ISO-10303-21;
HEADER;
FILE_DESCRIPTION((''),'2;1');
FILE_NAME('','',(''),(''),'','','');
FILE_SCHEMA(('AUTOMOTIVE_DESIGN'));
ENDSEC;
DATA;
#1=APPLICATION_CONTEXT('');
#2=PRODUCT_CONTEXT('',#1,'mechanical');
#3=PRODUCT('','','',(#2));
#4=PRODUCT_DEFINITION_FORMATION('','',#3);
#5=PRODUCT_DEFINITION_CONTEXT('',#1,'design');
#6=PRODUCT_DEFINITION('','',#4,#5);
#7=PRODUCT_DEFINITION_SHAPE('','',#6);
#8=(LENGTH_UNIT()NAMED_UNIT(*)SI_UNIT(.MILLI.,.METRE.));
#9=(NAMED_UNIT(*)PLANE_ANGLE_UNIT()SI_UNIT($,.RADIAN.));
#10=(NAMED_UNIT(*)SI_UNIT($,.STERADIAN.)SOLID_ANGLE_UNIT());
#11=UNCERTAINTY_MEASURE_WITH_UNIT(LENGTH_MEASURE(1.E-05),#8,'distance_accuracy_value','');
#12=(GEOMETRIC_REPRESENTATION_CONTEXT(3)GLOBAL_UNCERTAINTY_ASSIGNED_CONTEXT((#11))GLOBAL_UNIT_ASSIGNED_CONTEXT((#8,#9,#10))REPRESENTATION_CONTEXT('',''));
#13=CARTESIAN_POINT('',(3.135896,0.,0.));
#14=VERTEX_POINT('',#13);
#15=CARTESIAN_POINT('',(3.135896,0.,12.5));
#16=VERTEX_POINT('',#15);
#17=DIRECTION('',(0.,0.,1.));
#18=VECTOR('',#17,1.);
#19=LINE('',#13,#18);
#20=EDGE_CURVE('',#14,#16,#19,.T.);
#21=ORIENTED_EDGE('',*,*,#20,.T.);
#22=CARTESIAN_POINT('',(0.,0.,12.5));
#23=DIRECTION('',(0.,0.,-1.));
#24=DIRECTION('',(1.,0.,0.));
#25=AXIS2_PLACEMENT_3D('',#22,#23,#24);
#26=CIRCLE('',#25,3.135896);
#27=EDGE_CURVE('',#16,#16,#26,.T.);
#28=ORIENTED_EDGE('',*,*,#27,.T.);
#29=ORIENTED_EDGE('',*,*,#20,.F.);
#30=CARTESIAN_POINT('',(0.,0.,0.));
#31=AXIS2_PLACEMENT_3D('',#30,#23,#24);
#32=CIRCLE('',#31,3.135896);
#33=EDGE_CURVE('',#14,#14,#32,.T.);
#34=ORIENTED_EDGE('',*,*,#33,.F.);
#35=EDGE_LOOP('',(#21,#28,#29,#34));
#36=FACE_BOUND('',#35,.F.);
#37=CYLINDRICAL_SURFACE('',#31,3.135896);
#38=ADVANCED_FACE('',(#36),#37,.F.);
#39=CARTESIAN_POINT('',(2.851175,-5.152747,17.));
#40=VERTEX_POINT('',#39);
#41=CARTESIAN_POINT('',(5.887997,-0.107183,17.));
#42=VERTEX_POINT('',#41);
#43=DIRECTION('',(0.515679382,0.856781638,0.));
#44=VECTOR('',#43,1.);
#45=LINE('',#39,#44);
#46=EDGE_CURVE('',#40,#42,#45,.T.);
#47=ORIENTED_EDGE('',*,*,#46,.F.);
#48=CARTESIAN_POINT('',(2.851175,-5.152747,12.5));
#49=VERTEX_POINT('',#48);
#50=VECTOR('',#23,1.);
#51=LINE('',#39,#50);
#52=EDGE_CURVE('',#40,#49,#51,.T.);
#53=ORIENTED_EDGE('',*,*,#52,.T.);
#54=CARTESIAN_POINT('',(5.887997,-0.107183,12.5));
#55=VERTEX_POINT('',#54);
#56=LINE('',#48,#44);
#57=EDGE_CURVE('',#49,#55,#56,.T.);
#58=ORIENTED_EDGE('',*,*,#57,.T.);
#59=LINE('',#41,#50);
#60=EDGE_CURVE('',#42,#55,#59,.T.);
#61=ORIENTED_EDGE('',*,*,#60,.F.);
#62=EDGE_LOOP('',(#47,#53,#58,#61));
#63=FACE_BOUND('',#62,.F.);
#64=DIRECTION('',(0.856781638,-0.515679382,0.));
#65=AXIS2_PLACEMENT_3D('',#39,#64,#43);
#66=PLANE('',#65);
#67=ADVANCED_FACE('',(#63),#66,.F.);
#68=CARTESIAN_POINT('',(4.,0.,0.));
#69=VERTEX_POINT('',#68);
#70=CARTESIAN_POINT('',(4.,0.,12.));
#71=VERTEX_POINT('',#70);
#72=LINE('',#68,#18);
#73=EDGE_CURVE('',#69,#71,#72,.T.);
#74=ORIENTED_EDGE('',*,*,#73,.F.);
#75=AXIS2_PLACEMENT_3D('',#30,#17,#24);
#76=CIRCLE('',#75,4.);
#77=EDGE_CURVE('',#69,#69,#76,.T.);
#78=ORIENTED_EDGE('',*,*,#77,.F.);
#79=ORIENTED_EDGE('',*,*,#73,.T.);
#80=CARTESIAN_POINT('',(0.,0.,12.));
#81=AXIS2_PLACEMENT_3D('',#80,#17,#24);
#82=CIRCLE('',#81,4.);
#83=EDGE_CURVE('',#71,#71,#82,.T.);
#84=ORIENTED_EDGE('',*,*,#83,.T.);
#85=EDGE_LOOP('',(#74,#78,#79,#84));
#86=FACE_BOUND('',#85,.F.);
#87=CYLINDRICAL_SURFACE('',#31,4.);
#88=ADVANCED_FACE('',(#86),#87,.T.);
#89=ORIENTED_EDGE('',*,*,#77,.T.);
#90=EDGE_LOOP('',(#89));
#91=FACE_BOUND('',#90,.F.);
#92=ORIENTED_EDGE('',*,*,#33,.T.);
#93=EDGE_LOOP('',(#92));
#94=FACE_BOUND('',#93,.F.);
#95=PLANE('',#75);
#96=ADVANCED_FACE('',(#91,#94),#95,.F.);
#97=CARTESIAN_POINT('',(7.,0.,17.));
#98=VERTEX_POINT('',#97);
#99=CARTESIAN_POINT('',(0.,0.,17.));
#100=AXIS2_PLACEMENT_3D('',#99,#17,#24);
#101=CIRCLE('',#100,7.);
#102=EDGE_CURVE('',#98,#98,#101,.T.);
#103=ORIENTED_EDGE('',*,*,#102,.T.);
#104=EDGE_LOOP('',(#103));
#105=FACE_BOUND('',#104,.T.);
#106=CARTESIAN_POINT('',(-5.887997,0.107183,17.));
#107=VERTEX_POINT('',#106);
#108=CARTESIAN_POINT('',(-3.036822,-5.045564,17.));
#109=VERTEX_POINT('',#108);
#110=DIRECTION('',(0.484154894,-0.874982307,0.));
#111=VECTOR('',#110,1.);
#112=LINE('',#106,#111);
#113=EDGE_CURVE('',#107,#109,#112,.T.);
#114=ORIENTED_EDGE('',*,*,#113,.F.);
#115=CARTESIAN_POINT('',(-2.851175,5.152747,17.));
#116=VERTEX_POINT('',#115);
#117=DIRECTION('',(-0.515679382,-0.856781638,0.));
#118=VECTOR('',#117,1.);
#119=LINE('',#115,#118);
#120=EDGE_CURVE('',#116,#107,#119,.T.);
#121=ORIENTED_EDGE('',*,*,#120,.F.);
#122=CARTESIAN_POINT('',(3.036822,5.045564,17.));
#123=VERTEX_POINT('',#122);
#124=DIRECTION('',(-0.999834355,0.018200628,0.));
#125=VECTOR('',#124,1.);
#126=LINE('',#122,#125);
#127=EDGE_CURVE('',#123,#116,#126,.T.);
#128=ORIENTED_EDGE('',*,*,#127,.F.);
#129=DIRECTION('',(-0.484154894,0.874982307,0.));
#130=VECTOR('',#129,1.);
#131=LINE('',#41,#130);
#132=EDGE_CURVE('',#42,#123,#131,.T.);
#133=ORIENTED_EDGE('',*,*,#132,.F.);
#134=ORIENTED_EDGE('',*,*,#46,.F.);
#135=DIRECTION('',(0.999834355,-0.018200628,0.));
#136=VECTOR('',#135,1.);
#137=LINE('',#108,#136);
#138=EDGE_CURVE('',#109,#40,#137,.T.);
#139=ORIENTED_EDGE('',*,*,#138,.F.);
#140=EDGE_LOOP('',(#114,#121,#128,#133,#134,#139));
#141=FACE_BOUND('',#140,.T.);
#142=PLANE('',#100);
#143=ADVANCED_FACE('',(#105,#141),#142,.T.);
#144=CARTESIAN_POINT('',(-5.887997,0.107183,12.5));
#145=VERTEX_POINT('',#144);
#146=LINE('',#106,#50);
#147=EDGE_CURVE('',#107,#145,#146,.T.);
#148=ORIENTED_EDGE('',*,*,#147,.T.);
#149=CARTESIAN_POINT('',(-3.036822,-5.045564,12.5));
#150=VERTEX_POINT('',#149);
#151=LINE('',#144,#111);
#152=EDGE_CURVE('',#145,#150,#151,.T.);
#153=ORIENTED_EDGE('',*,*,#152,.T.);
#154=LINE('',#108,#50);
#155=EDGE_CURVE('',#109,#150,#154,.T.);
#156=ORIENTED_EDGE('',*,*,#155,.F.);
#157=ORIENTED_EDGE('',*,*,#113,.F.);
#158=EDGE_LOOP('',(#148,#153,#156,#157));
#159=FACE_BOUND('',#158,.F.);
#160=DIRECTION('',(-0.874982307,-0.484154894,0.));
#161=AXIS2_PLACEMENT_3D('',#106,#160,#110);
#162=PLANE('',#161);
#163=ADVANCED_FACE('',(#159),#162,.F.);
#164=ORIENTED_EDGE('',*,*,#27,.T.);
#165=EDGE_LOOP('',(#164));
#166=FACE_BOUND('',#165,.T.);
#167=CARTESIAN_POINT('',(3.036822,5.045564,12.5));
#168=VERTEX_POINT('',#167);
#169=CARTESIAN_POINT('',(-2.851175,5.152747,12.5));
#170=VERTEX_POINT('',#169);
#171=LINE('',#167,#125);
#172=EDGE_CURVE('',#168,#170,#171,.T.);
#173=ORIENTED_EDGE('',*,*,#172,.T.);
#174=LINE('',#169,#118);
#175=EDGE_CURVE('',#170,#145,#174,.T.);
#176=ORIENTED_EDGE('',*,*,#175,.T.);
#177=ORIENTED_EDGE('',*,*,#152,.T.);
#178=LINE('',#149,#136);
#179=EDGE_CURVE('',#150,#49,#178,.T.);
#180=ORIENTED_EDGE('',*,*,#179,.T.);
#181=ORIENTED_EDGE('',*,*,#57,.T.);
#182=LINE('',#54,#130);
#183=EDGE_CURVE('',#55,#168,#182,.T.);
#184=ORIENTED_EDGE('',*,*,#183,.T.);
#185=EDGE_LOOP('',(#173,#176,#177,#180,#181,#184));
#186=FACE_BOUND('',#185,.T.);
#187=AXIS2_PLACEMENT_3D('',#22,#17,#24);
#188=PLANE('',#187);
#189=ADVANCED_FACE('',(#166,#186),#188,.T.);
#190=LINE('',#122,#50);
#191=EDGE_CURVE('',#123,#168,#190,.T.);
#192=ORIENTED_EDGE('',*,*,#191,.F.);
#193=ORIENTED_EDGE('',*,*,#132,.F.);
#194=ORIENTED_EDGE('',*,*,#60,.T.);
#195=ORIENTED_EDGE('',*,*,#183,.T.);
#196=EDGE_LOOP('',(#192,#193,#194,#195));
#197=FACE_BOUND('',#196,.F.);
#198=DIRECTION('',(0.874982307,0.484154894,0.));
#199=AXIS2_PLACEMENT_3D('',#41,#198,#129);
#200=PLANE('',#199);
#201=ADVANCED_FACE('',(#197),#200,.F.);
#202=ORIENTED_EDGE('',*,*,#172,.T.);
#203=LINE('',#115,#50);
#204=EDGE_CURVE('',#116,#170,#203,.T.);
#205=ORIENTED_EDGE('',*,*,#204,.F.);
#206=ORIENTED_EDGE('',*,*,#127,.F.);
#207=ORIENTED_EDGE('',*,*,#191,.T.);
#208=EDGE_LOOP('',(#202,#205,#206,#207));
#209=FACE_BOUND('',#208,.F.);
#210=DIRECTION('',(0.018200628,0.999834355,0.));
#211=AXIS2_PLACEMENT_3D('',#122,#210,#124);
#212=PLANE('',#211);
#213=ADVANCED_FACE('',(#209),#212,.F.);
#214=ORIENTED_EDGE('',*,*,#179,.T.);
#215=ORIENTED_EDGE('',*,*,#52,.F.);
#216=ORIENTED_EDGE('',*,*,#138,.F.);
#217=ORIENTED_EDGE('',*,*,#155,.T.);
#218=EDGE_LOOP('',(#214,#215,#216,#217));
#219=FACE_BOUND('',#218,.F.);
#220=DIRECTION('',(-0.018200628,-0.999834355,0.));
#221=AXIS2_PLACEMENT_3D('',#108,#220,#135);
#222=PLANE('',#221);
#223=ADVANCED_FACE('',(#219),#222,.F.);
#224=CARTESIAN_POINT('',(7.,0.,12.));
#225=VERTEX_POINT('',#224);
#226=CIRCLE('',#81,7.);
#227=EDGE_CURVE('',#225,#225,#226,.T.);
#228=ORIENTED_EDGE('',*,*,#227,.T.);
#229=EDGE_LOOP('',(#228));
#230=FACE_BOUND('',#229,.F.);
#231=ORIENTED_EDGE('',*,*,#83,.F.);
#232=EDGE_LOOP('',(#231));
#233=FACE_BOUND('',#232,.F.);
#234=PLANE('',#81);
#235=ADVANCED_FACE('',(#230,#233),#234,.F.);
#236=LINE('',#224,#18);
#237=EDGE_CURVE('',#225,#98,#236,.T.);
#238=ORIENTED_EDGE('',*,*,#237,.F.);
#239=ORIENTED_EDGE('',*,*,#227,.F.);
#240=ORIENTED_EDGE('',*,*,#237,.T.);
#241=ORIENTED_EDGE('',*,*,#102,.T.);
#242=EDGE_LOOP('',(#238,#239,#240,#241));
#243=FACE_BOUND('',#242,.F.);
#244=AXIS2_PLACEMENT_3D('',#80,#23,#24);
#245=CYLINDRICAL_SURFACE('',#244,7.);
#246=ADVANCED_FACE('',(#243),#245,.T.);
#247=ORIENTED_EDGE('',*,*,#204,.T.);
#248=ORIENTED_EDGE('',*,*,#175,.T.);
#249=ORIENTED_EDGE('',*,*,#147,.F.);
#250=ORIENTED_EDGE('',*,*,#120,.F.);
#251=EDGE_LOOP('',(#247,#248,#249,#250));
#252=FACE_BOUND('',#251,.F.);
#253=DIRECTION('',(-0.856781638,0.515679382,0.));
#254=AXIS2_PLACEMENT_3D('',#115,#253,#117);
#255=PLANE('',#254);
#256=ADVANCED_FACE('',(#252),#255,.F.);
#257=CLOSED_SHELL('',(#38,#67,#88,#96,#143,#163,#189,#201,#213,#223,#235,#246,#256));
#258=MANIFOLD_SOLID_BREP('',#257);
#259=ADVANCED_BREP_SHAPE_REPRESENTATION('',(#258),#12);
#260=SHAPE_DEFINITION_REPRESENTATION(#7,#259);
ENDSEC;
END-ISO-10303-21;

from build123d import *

# Parameters (mm, degrees)
F0_R     = 4
F1_DEPTH = 12
F2_R     = 7
F3_DEPTH = 5
F5_DEPTH = 4.5
F6_R     = 3.135896
F7_DEPTH = 25


with BuildPart() as f1:
    # F0 (on Top) → F1 (new body)
    with BuildSketch(Plane.XY):
        Circle(F0_R)
    extrude(amount=F1_DEPTH)

    # F2 (on face) → F3 (join)
    with BuildSketch(Plane.XY.offset(12)):
        Circle(F2_R)
    extrude(amount=F3_DEPTH)

    # F4 (on face) → F5 (cut)
    with BuildSketch(Plane.XY.offset(17)):
        Polygon((5.887997, -0.107183), (3.036822, 5.045564), (-2.851175, 5.152747), (-5.887997, 0.107183), (-3.036822, -5.045564), (2.851175, -5.152747), align=None)
    extrude(amount=-F5_DEPTH, mode=Mode.SUBTRACT)

    # F6 (on face) → F7 (cut)
    with BuildSketch(Plane(origin=(0, 0, 0), x_dir=(1, 0, 0), z_dir=(0, 0, -1))):
        Circle(F6_R)
    extrude(amount=-F7_DEPTH, mode=Mode.SUBTRACT)


solid = f1.part
